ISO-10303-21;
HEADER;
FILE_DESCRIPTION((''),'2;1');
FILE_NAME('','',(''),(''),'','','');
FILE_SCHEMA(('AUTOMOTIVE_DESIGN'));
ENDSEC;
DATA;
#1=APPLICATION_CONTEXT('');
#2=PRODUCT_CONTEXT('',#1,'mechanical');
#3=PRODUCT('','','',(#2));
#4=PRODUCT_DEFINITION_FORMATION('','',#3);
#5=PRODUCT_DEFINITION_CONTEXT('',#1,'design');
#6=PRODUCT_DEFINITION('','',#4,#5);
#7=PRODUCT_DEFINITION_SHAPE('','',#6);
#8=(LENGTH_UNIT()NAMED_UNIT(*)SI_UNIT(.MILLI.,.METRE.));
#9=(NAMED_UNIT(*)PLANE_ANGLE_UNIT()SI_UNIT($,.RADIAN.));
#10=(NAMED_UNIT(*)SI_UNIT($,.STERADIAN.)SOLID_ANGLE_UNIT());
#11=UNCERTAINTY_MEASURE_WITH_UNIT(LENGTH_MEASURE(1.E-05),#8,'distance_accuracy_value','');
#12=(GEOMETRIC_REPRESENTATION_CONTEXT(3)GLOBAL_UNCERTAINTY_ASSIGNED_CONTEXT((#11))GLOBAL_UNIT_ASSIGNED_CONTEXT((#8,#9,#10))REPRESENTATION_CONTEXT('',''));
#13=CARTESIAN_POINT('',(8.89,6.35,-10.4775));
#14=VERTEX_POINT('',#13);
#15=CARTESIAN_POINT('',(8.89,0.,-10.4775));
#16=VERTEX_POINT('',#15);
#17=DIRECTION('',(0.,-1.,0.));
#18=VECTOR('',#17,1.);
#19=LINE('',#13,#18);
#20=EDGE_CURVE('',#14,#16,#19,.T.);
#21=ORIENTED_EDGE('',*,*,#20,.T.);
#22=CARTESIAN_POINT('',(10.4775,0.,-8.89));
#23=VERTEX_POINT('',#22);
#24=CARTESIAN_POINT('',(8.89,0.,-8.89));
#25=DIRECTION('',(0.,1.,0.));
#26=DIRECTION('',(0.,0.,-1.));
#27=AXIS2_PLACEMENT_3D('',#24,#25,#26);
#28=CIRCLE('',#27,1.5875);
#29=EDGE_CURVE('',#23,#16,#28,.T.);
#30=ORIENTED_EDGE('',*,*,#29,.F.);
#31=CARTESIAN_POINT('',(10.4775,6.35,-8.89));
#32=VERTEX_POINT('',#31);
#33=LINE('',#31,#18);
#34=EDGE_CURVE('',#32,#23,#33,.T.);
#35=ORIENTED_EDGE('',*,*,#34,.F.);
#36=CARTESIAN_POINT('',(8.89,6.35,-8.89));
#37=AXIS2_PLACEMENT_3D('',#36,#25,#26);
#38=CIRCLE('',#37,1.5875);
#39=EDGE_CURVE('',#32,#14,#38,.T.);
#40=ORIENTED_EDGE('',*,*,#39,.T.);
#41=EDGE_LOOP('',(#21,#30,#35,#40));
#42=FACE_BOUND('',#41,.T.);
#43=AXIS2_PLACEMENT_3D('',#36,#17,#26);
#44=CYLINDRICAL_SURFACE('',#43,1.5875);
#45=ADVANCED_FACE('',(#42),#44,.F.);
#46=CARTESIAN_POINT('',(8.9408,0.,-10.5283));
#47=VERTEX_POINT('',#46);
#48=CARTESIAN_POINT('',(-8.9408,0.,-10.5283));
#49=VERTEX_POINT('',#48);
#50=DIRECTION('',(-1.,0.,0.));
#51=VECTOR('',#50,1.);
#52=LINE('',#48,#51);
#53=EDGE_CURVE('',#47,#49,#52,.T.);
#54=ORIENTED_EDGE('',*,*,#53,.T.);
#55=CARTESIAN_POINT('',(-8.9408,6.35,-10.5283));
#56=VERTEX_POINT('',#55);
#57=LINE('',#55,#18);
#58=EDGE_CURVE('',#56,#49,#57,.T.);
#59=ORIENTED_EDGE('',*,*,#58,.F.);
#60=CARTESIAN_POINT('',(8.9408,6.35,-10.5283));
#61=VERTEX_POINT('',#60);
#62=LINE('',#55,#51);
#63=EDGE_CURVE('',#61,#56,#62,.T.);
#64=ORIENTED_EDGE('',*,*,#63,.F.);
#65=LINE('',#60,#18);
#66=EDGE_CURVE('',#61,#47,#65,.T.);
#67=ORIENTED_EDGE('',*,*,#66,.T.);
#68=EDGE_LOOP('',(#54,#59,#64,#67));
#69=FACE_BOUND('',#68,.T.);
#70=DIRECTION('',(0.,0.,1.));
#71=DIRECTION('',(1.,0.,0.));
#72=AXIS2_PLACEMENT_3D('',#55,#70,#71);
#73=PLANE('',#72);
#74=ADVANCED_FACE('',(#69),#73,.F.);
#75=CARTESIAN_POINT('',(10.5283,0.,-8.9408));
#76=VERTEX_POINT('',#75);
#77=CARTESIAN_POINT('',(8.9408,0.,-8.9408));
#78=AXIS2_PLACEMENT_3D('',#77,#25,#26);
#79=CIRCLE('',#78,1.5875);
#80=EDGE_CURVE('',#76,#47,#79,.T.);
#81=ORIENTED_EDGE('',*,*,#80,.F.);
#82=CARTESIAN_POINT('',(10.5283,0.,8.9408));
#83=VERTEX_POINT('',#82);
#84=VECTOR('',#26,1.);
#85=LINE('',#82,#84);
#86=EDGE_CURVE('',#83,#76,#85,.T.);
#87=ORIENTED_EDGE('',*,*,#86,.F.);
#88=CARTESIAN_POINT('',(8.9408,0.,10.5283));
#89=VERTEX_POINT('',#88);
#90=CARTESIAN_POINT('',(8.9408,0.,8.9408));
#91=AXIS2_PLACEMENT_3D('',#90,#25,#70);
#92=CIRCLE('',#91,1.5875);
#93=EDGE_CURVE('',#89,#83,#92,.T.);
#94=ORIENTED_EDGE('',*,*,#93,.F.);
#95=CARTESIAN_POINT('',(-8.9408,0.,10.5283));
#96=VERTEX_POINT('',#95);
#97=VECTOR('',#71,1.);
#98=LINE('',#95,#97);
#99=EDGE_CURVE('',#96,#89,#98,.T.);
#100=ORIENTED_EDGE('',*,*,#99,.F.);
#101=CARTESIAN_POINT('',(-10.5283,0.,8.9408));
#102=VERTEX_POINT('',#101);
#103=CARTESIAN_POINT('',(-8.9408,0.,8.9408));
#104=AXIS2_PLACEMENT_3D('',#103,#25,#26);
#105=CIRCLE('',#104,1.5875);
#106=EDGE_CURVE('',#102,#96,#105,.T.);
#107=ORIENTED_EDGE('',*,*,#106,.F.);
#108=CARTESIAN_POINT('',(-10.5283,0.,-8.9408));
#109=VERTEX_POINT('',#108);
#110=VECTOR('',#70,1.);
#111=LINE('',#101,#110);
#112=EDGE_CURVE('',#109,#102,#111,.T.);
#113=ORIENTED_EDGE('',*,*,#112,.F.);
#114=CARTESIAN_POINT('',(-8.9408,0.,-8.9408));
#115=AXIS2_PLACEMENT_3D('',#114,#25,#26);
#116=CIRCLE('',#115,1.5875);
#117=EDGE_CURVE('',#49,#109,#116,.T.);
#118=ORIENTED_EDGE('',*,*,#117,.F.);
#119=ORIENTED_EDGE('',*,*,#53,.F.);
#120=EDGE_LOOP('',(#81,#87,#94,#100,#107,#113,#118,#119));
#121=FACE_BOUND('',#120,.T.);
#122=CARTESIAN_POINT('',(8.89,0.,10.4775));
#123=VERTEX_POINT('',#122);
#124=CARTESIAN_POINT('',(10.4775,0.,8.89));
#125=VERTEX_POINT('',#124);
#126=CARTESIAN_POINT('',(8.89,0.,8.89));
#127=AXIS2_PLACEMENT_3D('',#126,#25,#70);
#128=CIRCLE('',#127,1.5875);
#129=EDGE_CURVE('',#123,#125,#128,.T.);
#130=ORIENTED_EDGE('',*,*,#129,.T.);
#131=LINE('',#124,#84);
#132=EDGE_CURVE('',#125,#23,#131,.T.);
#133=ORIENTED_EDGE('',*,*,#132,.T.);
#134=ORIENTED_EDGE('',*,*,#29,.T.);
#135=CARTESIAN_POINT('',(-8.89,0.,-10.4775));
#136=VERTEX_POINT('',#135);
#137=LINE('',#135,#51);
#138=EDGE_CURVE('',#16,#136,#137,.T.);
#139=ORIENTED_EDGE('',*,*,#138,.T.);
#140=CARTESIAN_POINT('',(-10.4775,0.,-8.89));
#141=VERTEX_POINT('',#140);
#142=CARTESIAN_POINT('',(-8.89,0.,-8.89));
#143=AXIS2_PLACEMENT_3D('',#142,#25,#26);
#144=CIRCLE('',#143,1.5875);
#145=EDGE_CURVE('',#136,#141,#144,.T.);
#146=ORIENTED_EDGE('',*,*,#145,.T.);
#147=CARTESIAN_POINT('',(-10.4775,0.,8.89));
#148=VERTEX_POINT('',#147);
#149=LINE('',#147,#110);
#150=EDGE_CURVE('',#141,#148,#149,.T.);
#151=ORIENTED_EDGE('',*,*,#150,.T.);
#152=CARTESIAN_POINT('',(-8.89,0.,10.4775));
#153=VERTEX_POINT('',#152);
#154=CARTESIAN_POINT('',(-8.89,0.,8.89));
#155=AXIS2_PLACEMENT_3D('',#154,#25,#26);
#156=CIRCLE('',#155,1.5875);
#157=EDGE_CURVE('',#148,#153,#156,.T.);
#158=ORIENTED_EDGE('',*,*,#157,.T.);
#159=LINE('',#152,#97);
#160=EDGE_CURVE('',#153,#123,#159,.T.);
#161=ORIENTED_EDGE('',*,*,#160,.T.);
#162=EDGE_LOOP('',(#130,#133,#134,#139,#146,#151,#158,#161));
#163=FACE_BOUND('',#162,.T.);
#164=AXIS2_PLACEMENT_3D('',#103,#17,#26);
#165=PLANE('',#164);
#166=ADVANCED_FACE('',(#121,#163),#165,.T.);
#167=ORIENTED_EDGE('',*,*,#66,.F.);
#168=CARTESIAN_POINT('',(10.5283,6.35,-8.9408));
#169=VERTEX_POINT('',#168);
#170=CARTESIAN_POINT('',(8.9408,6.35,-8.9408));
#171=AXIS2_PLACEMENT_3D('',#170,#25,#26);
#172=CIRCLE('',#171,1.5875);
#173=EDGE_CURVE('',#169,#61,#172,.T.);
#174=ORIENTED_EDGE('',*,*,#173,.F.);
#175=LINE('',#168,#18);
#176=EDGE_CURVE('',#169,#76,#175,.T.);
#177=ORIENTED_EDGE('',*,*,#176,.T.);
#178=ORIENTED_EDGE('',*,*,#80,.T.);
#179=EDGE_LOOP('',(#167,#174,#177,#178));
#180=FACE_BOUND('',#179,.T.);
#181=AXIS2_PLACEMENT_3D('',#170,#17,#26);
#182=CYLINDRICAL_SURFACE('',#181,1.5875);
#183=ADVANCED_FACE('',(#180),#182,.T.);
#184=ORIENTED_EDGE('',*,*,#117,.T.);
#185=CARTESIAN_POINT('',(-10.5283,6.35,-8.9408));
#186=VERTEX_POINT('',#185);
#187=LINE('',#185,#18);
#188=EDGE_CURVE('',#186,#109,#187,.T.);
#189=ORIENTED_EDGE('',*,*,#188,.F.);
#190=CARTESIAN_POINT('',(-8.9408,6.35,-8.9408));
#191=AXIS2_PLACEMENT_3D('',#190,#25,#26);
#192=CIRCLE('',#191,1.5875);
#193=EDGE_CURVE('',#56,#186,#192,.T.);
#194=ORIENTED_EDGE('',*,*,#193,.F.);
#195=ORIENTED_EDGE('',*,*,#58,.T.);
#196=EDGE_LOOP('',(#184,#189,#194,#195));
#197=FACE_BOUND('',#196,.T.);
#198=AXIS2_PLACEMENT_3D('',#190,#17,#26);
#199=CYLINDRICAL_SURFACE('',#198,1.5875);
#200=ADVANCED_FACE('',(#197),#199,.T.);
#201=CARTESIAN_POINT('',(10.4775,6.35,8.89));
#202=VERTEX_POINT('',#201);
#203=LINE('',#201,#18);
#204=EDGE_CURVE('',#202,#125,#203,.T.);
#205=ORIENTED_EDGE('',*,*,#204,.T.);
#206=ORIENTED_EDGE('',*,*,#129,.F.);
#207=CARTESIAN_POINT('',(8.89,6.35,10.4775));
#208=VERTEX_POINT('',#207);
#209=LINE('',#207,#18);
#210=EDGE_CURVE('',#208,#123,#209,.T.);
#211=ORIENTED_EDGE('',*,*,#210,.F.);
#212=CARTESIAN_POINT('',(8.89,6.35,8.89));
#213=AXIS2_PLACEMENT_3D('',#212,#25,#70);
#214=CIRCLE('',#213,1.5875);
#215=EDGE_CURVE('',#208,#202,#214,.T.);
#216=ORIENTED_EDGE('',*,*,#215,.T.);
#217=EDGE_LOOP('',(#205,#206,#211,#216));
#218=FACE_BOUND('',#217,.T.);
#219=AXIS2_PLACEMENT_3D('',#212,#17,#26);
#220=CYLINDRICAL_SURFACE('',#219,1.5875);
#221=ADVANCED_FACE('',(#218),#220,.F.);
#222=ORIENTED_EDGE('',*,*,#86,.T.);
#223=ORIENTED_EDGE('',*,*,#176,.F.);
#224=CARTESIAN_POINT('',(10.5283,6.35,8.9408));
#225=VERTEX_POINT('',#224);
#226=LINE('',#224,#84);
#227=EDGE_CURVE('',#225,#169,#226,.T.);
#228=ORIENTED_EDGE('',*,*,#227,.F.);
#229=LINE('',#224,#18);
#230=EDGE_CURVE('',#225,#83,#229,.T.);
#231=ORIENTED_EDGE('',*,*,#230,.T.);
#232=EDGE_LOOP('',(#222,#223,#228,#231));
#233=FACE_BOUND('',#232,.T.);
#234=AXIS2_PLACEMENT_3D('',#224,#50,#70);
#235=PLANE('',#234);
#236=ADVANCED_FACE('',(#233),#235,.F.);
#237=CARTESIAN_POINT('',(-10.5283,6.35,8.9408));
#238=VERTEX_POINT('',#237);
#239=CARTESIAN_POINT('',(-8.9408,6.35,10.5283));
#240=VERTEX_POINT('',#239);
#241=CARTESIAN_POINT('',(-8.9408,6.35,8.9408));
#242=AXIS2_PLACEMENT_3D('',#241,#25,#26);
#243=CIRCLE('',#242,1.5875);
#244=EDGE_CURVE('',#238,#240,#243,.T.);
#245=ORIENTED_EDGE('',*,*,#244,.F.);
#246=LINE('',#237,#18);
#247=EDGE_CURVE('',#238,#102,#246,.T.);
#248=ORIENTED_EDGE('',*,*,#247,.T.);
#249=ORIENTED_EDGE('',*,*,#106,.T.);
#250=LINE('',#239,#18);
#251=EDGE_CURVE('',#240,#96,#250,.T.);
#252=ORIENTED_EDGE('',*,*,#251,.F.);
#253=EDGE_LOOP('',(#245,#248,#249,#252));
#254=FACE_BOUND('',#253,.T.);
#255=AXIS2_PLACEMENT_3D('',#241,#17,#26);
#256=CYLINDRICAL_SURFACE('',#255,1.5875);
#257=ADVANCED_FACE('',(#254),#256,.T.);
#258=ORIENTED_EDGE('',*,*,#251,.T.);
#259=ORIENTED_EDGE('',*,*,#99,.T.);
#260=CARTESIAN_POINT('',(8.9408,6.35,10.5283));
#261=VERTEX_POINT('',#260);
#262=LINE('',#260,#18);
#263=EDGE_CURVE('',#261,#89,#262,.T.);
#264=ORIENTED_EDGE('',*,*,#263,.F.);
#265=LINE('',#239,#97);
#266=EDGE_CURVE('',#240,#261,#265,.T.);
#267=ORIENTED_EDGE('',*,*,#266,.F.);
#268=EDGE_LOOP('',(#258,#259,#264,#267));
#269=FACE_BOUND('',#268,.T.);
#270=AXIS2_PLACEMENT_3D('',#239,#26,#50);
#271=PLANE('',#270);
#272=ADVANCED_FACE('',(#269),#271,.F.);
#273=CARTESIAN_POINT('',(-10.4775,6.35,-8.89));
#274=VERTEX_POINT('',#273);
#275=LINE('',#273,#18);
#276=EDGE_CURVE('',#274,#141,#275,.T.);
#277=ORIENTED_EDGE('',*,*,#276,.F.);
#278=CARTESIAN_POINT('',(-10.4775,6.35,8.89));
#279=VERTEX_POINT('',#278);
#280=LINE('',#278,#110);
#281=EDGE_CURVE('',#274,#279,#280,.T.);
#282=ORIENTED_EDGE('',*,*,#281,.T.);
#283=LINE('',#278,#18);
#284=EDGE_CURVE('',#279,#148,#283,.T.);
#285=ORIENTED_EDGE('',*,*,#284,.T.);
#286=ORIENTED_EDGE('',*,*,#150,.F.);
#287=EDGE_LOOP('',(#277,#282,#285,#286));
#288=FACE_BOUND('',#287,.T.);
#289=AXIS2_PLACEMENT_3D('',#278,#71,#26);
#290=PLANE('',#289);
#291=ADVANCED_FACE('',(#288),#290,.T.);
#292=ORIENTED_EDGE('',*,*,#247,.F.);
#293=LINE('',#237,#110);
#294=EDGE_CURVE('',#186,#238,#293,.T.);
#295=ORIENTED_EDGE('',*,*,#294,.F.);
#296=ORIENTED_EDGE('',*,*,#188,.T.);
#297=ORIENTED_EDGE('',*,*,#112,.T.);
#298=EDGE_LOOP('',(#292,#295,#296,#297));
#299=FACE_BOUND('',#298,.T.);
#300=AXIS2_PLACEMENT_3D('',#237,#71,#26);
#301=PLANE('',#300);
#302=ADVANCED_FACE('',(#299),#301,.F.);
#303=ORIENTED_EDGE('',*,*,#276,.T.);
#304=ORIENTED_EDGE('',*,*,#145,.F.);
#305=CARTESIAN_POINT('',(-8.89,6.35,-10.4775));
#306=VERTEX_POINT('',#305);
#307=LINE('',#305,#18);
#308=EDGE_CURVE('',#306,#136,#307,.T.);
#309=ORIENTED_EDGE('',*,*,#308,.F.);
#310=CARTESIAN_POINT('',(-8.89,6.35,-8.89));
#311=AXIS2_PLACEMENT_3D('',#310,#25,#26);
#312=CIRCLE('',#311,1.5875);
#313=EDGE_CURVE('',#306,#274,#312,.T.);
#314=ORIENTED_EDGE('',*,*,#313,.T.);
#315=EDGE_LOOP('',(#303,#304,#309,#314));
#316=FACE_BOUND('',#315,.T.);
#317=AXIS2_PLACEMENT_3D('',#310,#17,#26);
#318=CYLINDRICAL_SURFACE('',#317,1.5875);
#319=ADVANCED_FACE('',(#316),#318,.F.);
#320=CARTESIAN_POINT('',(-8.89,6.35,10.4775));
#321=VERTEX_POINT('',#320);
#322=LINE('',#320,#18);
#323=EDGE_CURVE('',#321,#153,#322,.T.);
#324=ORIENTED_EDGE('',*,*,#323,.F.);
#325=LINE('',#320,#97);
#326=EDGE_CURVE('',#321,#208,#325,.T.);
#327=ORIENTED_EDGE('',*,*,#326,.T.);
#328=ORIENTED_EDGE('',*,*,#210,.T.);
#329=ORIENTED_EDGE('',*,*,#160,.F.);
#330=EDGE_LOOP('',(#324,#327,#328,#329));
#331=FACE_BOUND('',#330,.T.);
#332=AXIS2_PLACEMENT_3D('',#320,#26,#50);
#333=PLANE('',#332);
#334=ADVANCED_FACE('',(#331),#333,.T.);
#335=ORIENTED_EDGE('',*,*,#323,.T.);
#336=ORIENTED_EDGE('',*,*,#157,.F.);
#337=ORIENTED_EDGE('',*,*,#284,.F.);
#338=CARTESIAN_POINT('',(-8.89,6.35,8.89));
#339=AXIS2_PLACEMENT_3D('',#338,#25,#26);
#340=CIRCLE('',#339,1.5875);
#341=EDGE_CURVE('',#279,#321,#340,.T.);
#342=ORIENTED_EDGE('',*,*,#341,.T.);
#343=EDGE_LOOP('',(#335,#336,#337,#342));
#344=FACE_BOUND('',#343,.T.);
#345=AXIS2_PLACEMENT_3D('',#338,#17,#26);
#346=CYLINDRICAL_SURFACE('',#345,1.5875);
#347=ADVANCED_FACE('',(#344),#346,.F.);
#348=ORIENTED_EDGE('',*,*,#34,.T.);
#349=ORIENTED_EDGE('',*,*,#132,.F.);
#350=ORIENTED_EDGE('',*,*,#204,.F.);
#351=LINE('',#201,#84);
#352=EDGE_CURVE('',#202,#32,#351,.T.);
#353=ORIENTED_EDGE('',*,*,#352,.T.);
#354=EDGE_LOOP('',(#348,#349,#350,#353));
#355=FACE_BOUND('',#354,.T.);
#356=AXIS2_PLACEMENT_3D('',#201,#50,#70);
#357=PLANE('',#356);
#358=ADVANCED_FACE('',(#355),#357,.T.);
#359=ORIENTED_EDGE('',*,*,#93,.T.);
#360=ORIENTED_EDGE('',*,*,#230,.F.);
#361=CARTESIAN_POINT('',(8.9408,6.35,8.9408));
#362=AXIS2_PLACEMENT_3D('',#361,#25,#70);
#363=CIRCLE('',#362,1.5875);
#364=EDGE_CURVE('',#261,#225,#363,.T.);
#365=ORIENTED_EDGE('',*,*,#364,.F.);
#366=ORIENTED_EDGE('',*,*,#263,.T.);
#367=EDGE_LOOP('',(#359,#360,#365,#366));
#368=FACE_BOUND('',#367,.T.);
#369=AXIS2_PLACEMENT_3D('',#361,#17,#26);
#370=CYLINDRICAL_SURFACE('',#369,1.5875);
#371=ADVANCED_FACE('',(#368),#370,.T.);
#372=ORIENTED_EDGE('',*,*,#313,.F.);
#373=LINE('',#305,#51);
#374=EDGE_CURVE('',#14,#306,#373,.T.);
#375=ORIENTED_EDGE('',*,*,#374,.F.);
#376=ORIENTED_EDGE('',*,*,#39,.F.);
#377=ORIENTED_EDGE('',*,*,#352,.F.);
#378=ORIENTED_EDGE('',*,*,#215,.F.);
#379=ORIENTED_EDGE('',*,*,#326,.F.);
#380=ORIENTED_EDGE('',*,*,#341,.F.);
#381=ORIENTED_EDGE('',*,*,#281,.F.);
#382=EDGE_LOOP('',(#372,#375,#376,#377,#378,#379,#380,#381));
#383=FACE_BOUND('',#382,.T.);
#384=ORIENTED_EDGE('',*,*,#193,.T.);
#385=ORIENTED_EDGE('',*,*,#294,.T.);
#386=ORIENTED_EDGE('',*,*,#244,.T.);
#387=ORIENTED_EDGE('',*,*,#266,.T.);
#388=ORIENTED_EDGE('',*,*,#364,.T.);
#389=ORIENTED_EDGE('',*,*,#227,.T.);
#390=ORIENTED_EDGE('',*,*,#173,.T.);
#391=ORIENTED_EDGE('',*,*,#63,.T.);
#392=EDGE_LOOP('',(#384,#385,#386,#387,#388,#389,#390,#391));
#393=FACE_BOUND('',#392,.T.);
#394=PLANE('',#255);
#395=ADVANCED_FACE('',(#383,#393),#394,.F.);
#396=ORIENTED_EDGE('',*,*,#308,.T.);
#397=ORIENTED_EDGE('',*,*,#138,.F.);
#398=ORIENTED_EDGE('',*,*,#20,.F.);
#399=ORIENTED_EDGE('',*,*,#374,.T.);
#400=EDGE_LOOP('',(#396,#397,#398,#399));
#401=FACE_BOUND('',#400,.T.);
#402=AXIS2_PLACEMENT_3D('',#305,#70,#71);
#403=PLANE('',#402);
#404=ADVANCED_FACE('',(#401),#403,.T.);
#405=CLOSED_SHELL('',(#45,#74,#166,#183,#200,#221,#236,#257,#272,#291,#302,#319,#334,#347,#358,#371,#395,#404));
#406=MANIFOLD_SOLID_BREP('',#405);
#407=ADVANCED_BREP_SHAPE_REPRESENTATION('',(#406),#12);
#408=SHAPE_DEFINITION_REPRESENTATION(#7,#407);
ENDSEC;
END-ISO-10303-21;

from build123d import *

# Parameters (mm, degrees)
BOSS_EXTRUDE1_DEPTH = 6.35


with BuildPart() as part:
    # Sketch2 → Boss-Extrude1 (new body)
    with BuildSketch(Plane(origin=(0, 0, 0), x_dir=(1, 0, 0), z_dir=(0, 1, 0))):
        with BuildLine():
            Line((-8.9408, -10.5283), (8.9408, -10.5283))
            ThreePointArc((8.9408, -10.5283), (10.063332015, -10.063332015), (10.5283, -8.9408))
            Line((10.5283, -8.9408), (10.5283, 8.9408))
            ThreePointArc((10.5283, 8.9408), (10.063332015, 10.063332015), (8.9408, 10.5283))
            Line((8.9408, 10.5283), (-8.9408, 10.5283))
            ThreePointArc((-8.9408, 10.5283), (-10.063332015, 10.063332015), (-10.5283, 8.9408))
            Line((-10.5283, 8.9408), (-10.5283, -8.9408))
            ThreePointArc((-10.5283, -8.9408), (-10.063332015, -10.063332015), (-8.9408, -10.5283))
        make_face()
        with BuildLine():
            Line((-8.89, -10.4775), (8.89, -10.4775))
            ThreePointArc((8.89, -10.4775), (10.012532015, -10.012532015), (10.4775, -8.89))
            Line((10.4775, -8.89), (10.4775, 8.89))
            ThreePointArc((10.4775, 8.89), (10.012532015, 10.012532015), (8.89, 10.4775))
            Line((8.89, 10.4775), (-8.89, 10.4775))
            ThreePointArc((-8.89, 10.4775), (-10.012532015, 10.012532015), (-10.4775, 8.89))
            Line((-10.4775, 8.89), (-10.4775, -8.89))
            ThreePointArc((-10.4775, -8.89), (-10.012532015, -10.012532015), (-8.89, -10.4775))
        make_face(mode=Mode.SUBTRACT)
    extrude(amount=BOSS_EXTRUDE1_DEPTH)


solid = part.part
